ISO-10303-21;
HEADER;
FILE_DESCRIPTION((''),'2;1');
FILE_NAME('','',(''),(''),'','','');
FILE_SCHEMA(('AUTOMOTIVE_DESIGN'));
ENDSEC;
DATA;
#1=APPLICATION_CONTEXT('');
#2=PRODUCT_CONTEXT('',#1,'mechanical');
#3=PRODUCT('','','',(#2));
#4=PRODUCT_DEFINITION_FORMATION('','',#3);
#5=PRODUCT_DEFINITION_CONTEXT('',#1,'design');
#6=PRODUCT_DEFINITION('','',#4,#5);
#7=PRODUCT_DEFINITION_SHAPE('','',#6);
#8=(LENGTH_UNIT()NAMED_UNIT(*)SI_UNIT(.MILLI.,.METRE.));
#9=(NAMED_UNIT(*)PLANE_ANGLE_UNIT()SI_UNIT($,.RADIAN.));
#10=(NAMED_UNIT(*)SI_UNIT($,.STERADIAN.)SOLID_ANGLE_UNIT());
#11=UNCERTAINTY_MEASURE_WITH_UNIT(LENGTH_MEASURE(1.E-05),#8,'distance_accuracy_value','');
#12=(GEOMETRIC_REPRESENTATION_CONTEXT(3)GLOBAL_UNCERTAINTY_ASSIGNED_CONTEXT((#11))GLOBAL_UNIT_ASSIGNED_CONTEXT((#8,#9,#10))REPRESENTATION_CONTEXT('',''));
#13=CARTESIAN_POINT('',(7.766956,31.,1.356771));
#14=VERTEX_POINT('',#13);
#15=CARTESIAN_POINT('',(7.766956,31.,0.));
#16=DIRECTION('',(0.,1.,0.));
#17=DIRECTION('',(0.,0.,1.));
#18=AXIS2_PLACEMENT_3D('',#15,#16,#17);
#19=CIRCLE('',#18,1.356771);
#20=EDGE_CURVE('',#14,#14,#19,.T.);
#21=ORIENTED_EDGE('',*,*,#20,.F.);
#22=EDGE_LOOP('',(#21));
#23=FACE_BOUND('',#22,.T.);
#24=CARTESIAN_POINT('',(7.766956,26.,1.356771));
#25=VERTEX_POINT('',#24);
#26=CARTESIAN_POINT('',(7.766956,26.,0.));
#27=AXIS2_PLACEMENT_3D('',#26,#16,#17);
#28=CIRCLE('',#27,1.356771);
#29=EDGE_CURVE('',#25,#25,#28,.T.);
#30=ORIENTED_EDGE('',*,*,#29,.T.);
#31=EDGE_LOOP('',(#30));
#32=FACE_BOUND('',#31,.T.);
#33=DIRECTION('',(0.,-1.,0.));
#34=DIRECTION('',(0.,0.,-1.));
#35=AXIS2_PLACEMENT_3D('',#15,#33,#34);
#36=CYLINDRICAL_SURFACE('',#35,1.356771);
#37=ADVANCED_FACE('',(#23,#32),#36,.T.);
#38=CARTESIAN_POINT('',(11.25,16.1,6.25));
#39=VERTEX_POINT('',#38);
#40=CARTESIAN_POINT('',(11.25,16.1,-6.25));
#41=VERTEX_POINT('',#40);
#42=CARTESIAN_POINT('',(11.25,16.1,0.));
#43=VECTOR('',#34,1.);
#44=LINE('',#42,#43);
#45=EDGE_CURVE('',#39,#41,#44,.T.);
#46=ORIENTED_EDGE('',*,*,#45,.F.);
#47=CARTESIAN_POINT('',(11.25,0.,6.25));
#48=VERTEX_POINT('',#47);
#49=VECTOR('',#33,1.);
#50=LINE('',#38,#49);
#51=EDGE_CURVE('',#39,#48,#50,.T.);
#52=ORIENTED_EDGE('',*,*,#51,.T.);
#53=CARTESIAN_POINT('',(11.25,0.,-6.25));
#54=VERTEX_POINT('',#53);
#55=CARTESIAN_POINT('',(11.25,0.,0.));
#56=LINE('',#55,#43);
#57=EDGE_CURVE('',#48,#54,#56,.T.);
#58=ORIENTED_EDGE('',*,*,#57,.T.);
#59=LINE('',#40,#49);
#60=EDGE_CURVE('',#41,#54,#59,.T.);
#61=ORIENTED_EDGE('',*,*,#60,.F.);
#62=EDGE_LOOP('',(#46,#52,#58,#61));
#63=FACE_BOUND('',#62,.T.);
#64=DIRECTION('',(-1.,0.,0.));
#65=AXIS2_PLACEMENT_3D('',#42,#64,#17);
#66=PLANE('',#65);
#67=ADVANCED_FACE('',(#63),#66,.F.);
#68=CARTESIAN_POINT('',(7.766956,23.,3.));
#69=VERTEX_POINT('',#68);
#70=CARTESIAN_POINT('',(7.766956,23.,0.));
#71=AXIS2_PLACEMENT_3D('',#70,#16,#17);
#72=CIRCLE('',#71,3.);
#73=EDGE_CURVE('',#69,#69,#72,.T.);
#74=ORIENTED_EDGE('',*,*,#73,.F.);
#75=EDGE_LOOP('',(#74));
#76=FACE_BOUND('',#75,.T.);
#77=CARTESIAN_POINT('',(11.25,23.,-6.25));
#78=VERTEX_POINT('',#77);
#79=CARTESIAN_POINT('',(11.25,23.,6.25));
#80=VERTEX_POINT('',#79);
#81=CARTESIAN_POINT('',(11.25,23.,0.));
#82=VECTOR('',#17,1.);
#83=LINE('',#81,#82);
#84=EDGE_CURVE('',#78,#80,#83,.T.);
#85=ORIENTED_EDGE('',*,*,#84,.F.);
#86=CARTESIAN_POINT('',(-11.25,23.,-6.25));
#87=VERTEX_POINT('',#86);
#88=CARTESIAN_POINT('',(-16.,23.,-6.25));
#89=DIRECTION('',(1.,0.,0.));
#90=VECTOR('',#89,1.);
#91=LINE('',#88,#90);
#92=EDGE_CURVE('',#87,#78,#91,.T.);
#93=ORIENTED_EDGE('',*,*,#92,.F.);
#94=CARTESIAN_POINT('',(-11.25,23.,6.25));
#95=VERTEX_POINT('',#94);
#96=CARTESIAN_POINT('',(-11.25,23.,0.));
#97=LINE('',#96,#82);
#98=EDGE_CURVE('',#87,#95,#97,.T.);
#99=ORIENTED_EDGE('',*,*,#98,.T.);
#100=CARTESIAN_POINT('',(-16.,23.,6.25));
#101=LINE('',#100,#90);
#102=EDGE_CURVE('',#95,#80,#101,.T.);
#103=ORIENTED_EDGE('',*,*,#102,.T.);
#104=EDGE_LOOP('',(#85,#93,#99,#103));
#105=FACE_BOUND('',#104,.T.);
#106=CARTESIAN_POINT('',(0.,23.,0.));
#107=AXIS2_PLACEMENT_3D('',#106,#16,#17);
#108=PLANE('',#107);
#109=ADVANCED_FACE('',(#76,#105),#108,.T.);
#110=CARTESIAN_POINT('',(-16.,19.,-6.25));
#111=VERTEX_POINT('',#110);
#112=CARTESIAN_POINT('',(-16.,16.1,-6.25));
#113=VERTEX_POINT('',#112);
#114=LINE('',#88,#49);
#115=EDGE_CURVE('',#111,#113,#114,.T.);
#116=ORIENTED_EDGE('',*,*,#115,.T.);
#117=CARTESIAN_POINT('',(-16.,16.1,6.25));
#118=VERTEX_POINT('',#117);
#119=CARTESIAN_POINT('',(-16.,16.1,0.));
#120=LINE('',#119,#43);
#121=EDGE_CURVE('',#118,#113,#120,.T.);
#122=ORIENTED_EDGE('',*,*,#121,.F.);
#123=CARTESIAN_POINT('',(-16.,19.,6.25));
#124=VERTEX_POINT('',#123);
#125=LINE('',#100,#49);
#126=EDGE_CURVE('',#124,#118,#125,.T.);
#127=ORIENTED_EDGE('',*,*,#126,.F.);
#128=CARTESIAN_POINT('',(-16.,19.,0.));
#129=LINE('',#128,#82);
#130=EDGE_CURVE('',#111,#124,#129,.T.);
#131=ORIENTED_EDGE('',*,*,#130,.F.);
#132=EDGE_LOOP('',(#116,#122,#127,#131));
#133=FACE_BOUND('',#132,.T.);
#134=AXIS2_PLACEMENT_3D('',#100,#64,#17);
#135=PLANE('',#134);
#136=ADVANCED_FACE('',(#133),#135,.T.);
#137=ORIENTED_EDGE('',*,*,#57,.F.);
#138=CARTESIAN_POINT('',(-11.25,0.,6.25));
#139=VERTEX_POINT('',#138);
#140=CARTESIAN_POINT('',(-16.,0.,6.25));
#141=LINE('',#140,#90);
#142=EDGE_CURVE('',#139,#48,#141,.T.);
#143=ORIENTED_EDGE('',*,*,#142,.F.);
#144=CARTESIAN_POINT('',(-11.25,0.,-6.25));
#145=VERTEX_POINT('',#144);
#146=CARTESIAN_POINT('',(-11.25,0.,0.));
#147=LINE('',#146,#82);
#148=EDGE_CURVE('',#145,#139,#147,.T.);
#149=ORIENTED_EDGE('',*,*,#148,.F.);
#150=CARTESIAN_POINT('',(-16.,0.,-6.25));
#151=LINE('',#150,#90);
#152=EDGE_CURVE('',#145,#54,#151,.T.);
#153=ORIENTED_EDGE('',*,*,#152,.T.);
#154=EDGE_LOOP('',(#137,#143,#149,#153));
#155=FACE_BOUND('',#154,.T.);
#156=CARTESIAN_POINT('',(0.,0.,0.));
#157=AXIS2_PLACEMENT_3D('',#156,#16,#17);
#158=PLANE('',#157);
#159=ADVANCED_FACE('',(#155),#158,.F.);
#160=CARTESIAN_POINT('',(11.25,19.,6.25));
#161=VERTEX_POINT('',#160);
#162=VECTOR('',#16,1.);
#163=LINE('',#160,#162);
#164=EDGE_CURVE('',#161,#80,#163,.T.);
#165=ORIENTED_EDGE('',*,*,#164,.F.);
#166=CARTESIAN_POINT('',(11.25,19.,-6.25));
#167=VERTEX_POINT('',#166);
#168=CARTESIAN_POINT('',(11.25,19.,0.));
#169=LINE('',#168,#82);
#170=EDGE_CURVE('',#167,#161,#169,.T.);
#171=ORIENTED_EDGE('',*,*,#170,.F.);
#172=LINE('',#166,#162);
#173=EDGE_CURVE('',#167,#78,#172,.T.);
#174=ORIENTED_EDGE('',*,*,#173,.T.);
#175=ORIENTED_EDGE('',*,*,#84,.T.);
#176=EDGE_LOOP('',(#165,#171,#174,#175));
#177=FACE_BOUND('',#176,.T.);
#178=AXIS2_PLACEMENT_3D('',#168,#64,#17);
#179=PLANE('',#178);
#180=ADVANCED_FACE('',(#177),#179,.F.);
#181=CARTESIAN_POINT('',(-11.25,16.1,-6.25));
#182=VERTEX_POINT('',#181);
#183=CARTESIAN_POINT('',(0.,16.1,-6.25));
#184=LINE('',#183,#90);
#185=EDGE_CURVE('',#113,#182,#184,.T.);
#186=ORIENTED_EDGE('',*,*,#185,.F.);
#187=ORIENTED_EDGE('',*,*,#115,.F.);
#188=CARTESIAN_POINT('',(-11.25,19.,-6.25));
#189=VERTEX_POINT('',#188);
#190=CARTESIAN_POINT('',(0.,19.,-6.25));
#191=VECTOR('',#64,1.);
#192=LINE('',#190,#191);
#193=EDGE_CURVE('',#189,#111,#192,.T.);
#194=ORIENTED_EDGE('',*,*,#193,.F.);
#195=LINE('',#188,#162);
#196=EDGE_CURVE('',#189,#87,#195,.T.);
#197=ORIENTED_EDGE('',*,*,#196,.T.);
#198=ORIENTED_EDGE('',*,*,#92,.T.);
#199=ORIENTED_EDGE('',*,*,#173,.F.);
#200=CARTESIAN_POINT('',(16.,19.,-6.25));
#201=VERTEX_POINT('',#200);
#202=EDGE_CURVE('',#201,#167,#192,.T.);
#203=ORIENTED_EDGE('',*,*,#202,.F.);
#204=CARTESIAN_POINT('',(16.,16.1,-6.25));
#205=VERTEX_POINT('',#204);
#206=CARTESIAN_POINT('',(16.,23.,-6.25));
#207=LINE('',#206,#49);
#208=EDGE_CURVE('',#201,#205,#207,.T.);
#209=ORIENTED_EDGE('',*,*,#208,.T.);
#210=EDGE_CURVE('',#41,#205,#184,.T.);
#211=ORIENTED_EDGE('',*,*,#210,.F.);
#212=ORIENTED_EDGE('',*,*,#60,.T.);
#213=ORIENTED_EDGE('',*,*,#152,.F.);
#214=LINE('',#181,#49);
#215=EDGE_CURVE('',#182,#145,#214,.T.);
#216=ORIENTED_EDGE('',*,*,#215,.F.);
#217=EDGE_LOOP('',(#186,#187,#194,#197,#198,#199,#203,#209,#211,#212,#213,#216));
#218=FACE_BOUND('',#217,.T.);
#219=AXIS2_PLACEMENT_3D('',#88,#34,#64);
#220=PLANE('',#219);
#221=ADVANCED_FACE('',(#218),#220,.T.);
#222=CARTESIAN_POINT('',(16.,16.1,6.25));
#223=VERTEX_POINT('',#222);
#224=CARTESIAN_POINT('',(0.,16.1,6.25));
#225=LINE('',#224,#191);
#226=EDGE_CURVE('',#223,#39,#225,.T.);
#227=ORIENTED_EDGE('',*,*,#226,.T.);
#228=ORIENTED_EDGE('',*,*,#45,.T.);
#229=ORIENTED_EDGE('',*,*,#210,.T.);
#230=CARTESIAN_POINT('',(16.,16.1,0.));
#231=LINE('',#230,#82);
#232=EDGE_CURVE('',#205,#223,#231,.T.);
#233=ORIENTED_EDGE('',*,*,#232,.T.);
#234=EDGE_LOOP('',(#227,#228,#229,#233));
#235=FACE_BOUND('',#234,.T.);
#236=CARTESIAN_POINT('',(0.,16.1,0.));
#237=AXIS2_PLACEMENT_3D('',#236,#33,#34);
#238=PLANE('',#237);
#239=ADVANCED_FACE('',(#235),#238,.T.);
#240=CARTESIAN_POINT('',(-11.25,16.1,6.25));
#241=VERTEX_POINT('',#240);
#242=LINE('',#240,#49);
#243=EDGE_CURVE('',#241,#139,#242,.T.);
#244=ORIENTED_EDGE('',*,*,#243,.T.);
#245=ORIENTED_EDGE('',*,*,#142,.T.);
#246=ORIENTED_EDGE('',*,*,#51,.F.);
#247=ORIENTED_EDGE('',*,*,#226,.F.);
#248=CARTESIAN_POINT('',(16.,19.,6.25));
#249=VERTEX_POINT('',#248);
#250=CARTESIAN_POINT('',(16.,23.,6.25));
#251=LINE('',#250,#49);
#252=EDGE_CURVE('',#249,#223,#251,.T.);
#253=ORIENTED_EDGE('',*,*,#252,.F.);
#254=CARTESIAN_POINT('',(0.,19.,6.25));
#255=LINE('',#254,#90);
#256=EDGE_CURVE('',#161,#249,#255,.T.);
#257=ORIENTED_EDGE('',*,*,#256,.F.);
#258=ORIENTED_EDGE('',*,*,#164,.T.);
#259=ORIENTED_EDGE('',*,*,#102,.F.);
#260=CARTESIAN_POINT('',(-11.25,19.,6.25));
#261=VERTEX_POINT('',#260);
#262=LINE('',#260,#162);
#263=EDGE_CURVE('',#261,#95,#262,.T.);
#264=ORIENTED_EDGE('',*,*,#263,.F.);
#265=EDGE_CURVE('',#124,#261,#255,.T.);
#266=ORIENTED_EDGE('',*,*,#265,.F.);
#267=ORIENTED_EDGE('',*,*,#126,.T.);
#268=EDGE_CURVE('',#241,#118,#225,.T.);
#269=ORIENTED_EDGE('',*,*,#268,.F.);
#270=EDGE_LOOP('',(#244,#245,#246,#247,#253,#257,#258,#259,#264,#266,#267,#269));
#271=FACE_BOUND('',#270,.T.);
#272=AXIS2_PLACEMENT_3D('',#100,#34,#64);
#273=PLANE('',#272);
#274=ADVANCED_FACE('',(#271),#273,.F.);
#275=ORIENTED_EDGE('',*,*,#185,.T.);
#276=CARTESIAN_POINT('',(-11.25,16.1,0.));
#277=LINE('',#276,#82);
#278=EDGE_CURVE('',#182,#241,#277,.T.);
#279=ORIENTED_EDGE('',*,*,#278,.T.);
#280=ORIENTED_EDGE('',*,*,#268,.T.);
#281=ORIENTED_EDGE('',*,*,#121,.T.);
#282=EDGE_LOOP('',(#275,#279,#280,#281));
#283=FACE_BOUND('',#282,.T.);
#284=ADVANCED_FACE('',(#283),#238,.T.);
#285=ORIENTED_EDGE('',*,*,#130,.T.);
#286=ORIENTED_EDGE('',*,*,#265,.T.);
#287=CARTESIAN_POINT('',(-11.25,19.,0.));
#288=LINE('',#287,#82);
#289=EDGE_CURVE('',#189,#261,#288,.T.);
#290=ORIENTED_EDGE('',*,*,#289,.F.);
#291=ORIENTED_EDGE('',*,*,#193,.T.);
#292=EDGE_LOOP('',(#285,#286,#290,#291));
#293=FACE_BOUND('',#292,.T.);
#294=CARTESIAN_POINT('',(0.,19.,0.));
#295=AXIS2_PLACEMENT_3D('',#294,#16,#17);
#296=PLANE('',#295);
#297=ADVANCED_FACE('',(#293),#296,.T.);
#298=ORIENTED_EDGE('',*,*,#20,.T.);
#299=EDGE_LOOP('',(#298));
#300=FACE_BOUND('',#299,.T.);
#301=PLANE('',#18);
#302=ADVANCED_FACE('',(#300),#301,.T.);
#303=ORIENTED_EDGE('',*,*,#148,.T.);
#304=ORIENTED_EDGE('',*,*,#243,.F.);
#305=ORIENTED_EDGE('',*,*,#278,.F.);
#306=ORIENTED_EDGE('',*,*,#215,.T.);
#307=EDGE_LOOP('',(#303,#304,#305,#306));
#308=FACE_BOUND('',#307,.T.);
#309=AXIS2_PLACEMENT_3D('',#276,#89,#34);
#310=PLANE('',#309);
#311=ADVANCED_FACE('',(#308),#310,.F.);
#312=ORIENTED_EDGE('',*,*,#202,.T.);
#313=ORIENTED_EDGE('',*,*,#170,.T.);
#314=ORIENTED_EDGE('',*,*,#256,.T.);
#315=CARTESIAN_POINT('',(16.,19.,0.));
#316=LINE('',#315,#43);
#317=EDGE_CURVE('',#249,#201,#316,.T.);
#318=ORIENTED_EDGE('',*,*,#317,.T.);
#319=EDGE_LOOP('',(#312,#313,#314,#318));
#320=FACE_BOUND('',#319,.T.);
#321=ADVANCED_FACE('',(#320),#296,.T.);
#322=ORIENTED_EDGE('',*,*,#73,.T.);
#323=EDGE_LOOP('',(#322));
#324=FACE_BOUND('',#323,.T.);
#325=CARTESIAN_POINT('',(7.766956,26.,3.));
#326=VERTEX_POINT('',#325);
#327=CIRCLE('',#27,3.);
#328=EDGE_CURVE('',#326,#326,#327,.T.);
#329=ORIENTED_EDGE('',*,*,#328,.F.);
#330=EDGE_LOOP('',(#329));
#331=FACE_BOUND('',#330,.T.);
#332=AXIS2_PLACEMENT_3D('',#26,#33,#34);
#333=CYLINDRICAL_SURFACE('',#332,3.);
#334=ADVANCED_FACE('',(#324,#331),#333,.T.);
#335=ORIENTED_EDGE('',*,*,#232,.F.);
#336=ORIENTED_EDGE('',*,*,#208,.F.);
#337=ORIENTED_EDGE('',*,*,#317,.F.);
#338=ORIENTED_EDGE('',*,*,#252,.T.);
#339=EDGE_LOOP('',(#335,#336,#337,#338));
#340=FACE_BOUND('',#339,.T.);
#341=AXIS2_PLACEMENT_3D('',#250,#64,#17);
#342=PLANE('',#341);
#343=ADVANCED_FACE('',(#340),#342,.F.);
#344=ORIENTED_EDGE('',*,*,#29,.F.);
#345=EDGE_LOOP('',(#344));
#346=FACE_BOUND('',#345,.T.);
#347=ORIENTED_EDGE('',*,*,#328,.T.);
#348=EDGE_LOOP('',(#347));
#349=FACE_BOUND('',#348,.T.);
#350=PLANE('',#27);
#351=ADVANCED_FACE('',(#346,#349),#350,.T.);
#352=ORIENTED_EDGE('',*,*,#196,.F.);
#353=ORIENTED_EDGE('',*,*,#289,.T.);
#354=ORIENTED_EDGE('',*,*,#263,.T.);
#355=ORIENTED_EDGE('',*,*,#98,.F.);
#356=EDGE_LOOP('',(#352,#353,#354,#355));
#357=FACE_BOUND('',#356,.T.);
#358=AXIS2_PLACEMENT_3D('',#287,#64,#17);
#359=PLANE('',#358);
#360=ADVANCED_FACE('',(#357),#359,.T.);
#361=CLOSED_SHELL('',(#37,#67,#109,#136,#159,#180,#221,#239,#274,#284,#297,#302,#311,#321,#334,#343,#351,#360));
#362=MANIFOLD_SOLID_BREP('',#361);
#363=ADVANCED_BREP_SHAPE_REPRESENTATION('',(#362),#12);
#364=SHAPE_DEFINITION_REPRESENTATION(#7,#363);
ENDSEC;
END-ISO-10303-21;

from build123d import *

# Parameters (mm, degrees)
SKETCH_1_W          = 32
SKETCH_1_H          = 12.5
EXTRUDE_1_DEPTH     = 23
SKETCH_3_W          = 4.75
SKETCH_3_H          = 12.5
CUT_EXTRUDE_2_DEPTH = 4
SKETCH_8_W          = 4.75
SKETCH_8_H          = 12.5
CUT_EXTRUDE_3_DEPTH = 16.1
SKETCH_9_R          = 3
EXTRUDE_2_DEPTH     = 3
SKETCH_10_R         = 1.356770986
EXTRUDE_3_DEPTH     = 5


with BuildPart() as part:
    # 草图1 → 凸台-拉伸1 (new body)
    with BuildSketch(Plane(origin=(0, 0, 0), x_dir=(1, 0, 0), z_dir=(0, 1, 0))):
        Rectangle(SKETCH_1_W, SKETCH_1_H)
    extrude(amount=EXTRUDE_1_DEPTH)

    # 草图3 → 切除-拉伸2 (cut)
    with BuildSketch(Plane(origin=(0, 23, 0), x_dir=(1, 0, 0), z_dir=(0, 1, 0))):
        with Locations((-13.625, 0)):
            Rectangle(SKETCH_3_W, SKETCH_3_H)
        with Locations((13.625, 0)):
            Rectangle(SKETCH_3_W, SKETCH_3_H)
    extrude(amount=-CUT_EXTRUDE_2_DEPTH, mode=Mode.SUBTRACT)

    # 草图8 → 切除-拉伸3 (cut)
    with BuildSketch(Plane.XZ):
        with Locations((13.625, 0)):
            Rectangle(SKETCH_8_W, SKETCH_8_H)
        with Locations((-13.625, 0)):
            Rectangle(SKETCH_8_W, SKETCH_8_H)
    extrude(amount=-CUT_EXTRUDE_3_DEPTH, mode=Mode.SUBTRACT)

    # 草图9 → 凸台-拉伸2 (add)
    with BuildSketch(Plane(origin=(0, 23, 0), x_dir=(1, 0, 0), z_dir=(0, 1, 0))):
        with Locations(Location((7.766955593, 0, 0), (0, 0, 270))):
            Circle(SKETCH_9_R)
    extrude(amount=EXTRUDE_2_DEPTH)

    # 草图10 → 凸台-拉伸3 (add)
    with BuildSketch(Plane(origin=(0, 26, 0), x_dir=(1, 0, 0), z_dir=(0, 1, 0))):
        with Locations(Location((7.766955593, 0, 0), (0, 0, 270))):
            Circle(SKETCH_10_R)
    extrude(amount=EXTRUDE_3_DEPTH)


solid = part.part
